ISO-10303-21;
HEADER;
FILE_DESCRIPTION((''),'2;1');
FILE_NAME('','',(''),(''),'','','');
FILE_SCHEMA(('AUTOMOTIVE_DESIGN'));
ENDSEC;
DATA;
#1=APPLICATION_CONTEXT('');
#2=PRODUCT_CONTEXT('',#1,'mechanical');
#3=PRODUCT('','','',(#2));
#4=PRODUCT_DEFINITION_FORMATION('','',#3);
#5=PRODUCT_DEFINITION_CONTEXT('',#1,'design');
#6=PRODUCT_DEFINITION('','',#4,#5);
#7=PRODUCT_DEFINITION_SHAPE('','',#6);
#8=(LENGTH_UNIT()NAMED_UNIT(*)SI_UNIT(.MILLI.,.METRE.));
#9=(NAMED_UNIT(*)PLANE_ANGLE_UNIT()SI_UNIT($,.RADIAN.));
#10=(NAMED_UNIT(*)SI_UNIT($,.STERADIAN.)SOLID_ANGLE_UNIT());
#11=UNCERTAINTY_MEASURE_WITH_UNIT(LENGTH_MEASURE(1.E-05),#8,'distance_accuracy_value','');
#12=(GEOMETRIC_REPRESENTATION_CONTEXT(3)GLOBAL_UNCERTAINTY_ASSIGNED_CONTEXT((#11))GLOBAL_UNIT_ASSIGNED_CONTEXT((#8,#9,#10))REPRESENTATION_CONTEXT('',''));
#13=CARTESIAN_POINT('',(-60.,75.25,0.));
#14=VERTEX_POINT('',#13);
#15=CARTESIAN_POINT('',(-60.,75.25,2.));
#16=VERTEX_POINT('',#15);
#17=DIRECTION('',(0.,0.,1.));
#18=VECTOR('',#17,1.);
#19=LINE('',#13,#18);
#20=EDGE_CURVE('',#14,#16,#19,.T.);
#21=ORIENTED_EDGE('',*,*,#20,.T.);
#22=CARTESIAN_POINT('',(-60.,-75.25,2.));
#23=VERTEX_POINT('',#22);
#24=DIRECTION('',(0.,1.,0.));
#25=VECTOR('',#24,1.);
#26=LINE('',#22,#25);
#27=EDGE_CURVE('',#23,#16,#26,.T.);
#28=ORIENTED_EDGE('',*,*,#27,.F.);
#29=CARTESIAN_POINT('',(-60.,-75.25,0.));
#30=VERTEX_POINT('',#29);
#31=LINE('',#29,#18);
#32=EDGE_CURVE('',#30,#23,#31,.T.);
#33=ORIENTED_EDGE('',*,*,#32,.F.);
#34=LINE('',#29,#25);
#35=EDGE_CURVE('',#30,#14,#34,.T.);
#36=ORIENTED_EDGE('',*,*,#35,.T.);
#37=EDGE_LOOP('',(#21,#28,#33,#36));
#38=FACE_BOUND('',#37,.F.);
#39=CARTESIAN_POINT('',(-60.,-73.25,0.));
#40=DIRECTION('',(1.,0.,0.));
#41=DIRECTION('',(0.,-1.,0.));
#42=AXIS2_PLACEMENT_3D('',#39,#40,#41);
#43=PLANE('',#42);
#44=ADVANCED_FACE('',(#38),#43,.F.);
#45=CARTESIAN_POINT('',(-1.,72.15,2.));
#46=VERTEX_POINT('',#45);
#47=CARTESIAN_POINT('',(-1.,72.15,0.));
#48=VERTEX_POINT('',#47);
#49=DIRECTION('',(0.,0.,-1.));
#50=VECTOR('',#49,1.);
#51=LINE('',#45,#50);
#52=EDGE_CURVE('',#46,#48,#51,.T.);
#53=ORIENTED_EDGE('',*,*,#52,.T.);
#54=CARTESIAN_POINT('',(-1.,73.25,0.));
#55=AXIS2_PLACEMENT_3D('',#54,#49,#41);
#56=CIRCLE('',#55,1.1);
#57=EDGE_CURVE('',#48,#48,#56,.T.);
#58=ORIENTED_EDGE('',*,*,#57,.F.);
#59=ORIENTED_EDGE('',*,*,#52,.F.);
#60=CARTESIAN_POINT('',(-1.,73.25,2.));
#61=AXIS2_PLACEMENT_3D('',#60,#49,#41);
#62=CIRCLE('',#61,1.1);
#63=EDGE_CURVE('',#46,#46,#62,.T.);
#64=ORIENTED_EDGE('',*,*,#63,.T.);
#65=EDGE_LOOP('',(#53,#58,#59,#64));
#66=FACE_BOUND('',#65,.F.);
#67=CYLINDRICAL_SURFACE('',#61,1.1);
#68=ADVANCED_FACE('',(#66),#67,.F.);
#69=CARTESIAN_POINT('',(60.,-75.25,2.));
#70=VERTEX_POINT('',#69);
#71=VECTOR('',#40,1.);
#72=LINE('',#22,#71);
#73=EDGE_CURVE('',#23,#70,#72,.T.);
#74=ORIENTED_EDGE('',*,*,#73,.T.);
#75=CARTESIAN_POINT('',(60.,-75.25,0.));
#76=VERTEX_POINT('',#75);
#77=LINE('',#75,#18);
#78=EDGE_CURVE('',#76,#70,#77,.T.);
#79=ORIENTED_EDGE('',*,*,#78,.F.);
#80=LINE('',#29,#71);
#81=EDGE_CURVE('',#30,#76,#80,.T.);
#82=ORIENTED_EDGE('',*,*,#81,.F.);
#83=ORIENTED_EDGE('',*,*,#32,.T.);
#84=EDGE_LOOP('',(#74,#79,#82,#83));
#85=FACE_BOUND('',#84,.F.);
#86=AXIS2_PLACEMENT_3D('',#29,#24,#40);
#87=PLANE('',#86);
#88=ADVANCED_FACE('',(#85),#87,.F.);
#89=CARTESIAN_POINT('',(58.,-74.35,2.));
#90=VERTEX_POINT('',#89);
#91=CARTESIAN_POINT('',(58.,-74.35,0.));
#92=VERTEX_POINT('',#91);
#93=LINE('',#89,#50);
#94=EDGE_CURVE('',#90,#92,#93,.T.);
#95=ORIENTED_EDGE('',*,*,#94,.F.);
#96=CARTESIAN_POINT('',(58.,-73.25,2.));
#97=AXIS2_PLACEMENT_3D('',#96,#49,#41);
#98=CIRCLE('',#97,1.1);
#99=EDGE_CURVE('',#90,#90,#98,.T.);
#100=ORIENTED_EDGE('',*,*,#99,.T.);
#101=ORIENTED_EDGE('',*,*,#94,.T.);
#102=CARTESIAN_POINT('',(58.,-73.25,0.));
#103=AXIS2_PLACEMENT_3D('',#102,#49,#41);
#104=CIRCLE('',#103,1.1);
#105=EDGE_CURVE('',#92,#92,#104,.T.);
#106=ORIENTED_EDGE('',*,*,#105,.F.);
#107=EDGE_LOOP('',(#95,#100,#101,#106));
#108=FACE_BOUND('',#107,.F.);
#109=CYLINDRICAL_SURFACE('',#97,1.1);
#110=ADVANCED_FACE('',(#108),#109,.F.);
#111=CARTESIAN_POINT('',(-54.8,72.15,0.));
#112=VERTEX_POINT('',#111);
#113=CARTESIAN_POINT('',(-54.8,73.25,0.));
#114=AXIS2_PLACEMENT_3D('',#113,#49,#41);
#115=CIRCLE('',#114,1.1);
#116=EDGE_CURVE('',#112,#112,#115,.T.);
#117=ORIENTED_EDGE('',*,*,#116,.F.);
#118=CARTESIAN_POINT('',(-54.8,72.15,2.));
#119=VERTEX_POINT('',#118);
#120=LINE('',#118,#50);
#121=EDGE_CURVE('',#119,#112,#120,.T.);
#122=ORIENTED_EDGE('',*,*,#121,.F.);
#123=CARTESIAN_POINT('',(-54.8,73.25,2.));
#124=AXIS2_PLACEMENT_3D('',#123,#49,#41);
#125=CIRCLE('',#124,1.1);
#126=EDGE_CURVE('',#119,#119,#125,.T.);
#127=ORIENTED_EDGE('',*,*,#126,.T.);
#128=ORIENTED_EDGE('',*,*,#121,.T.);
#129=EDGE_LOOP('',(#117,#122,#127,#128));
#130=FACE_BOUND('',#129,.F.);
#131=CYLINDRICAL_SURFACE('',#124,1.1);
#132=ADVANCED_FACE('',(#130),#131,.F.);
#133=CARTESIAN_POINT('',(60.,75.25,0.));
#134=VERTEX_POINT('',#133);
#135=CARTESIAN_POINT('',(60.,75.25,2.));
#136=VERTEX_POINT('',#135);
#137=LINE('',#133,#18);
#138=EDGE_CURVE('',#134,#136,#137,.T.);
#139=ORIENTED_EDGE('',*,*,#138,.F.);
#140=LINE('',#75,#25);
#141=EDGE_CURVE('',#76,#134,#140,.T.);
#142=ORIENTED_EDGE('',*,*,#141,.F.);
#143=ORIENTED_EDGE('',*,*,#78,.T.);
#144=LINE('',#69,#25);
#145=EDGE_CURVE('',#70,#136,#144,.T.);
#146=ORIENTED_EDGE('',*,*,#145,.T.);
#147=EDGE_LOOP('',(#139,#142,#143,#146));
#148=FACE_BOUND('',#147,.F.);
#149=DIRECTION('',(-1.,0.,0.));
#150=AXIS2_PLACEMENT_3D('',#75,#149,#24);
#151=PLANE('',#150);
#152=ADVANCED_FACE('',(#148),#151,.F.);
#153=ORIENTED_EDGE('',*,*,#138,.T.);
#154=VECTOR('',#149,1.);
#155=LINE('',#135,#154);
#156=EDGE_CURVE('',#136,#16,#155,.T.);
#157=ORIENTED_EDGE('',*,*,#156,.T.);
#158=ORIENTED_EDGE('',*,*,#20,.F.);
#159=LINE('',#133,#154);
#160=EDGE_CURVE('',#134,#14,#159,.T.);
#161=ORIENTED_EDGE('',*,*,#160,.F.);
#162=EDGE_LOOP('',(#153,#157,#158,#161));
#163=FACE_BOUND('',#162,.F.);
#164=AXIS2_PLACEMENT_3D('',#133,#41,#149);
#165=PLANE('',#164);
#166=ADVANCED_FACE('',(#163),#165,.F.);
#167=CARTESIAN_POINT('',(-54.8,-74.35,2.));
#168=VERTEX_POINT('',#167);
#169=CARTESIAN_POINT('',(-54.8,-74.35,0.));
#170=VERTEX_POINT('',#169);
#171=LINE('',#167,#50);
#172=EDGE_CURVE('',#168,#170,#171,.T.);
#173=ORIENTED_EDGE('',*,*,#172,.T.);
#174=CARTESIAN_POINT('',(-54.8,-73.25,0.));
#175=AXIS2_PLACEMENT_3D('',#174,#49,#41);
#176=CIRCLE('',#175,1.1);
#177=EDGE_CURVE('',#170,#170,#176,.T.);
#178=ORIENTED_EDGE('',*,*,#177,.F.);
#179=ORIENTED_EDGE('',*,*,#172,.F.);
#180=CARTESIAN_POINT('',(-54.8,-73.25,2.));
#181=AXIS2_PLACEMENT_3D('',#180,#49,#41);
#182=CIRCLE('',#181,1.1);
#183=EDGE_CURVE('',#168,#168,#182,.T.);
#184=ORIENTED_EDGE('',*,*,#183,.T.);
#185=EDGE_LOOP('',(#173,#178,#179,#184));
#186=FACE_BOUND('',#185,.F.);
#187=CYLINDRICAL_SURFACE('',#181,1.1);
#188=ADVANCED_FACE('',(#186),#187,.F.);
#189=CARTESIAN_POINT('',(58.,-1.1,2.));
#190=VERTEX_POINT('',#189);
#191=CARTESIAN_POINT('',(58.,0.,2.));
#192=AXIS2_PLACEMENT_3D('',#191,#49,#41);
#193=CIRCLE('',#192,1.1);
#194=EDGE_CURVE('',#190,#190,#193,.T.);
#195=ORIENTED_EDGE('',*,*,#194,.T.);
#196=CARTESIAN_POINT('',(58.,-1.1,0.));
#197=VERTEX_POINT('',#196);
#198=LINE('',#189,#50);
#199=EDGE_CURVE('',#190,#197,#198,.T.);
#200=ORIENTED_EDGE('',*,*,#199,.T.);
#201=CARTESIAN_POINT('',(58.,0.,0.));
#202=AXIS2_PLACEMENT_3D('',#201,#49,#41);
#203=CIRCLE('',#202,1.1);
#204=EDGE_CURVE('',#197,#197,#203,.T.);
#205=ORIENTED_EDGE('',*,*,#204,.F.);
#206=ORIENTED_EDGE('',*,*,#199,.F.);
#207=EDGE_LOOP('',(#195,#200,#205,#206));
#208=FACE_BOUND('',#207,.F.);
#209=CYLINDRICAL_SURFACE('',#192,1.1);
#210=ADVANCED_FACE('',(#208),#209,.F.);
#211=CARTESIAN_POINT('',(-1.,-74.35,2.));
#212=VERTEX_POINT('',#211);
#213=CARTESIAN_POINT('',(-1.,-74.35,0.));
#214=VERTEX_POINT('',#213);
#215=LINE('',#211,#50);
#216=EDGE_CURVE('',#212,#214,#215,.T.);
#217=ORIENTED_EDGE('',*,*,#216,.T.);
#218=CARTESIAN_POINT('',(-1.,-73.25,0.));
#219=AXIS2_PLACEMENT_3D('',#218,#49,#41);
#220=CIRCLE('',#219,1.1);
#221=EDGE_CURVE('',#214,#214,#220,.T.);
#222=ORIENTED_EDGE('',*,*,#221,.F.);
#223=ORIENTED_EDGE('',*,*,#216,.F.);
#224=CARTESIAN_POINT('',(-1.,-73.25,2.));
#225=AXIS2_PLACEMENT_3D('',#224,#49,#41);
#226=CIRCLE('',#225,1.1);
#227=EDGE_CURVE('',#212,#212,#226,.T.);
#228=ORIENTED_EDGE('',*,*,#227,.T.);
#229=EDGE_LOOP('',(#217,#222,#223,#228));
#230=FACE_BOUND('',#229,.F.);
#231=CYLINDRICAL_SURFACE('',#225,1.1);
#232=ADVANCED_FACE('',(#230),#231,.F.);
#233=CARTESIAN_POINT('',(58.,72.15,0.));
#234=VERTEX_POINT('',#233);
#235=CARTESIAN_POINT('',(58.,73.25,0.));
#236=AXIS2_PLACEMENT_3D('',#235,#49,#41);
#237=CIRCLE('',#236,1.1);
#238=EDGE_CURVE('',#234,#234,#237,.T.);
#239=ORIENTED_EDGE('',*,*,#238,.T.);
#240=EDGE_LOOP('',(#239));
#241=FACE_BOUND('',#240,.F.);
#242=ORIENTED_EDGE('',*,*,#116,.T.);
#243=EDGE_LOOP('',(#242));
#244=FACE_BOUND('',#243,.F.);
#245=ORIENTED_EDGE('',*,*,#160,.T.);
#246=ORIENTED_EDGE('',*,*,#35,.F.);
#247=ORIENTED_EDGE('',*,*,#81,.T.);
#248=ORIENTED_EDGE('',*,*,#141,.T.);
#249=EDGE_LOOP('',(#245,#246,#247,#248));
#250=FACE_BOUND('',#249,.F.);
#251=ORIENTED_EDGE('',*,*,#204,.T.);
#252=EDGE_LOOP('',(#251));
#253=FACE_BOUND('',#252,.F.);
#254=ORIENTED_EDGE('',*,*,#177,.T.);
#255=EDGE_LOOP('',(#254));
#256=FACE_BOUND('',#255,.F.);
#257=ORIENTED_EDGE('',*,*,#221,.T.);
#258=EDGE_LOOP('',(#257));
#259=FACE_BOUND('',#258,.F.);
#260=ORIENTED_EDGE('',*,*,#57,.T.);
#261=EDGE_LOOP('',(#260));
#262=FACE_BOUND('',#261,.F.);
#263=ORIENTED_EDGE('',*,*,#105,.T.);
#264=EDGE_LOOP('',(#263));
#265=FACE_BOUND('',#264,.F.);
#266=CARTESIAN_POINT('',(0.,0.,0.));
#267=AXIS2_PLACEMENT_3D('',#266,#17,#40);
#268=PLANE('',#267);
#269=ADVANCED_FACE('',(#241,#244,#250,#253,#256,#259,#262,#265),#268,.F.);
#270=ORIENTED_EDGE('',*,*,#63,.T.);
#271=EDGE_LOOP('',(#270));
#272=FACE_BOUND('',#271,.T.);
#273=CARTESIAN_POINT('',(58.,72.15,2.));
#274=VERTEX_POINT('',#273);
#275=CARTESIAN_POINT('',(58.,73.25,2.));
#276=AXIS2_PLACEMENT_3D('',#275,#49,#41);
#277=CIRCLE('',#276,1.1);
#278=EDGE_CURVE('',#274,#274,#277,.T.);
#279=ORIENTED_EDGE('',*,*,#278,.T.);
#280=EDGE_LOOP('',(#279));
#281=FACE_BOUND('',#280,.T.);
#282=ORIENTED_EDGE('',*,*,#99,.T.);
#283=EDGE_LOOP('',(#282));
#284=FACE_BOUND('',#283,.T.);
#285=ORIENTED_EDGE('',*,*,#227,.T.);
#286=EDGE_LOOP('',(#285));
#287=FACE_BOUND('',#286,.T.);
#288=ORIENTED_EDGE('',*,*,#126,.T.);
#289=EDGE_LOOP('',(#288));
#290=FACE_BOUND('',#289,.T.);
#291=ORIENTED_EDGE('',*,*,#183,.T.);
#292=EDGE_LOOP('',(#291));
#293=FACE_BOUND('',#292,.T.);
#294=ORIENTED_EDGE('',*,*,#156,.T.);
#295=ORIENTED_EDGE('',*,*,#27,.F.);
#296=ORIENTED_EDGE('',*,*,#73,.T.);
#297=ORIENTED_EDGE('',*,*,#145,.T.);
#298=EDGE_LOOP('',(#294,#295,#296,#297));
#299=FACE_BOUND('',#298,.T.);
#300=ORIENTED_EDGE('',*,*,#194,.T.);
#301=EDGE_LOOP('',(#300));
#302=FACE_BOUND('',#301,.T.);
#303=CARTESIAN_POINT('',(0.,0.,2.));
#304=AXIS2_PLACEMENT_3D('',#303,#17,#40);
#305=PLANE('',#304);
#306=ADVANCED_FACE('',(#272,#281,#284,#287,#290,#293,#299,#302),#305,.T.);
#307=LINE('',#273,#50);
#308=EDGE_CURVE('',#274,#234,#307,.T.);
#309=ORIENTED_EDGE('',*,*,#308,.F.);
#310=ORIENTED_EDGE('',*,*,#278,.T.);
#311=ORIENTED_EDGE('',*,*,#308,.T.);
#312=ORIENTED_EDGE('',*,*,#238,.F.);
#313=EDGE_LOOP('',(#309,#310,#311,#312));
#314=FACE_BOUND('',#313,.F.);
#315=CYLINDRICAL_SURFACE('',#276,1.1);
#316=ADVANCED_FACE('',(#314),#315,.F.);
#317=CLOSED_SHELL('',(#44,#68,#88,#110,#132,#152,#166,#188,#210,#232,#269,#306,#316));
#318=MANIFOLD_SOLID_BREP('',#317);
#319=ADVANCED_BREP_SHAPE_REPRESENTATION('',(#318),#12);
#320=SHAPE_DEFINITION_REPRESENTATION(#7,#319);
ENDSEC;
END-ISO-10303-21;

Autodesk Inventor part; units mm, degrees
ref_plane "YZ Plane" through (0, 0, 0) normal (1, 0, 0) x (0, 1, 0)
ref_plane "XZ Plane" through (0, 0, 0) normal (0, 1, 0) x (-1, 0, 0)
ref_plane "XY Plane" through (0, 0, 0) normal (0, 0, 1) x (1, 0, 0)
ref_plane "Work Plane1" through (0, 0, 0) normal (0, 0, 1) x (1, 0, 0)
sketch "Sketch1" plane through (0, 0, 0) normal (0, 0, 1) x (1, 0, 0)
  circle A0 centre (-1, 73.25) radius 1.05 projected
  circle A1 centre (-54.8, -73.25) radius 1.05 projected
  circle A2 centre (-54.8, 73.25) radius 1.05 projected
  circle A3 centre (-1, -73.25) radius 1.05 projected
  circle A4 centre (58, -73.25) radius 1.05 projected
  circle A5 centre (58, 0) radius 1.05 projected
  circle A6 centre (58, 73.25) radius 1.05 projected
  line L0 (-60, -75.25) -> (60, -75.25) projected
  line L1 (60, -75.25) -> (60, 75.25) projected
  line L2 (60, 75.25) -> (-60, 75.25) projected
  line L3 (-60, 75.25) -> (-60, 73.25) projected
  line L4 (-60, 73.25) -> (-56.8, 73.25) projected
  line L5 (-56.8, 71.25) -> (-56.8, 73.25) projected
  line L6 (-54.8, 71.25) -> (-56.8, 71.25) projected
  arc A7 (-54.8, 71.25) -> (-52.8, 73.25) centre (-54.8, 73.25) ccw projected
  line L7 (-52.8, 73.25) -> (-3, 73.25) projected
  arc A8 (-3, 73.25) -> (1, 73.25) centre (-1, 73.25) ccw projected
  line L8 (1, 73.25) -> (56, 73.25) projected
  arc A9 (56, 73.25) -> (58, 71.25) centre (58, 73.25) ccw projected
  line L9 (58, 71.25) -> (58, 2) projected
  arc A10 (58, 2) -> (58, -2) centre (58, 0) ccw projected
  line L10 (58, -2) -> (58, -71.25) projected
  arc A11 (58, -71.25) -> (56, -73.25) centre (58, -73.25) ccw projected
  line L11 (56, -73.25) -> (1, -73.25) projected
  arc A12 (1, -73.25) -> (-3, -73.25) centre (-1, -73.25) ccw projected
  line L12 (-3, -73.25) -> (-52.8, -73.25) projected
  arc A13 (-52.8, -73.25) -> (-54.8, -71.25) centre (-54.8, -73.25) ccw projected
  line L13 (-56.8, -71.25) -> (-54.8, -71.25) projected
  line L14 (-56.8, -73.25) -> (-56.8, -71.25) projected
  line L15 (-56.8, -73.25) -> (-60, -73.25) projected
  line L16 (-60, -73.25) -> (-60, -75.25) projected
  line L17 (-56.8, -73.25) -> (-56.8, 73.25) projected
  line L18 (-56.8, 73.25) -> (-59.8, 73.25) projected
  line L19 (-59.8, -73.25) -> (-59.8, 73.25) projected
  line L20 (-56.8, -73.25) -> (-59.8, -73.25) projected
  line L21 (60, 75.25) -> (-60, 75.25)
  line L22 (-60, 75.25) -> (-60, -75.25)
  line L23 (-60, -75.25) -> (60, -75.25)
  line L24 (60, -75.25) -> (60, 75.25)
  point P0 (0, 0)
extrude "Extrusion1" add sketch "Sketch1" along normal blind 2 contours A0 | A1 | A2 | A3 | A4 | A5 | A6 | L16 L15 L14 L13 A13 L12 A12 L11 A11 L10 A10 L9 A9 L8 A8 L7 A7 L6 L5 L4 L3 L2 L1 L0 | L22 L4 L19 L15 | L19 L4 L5 L17 L14 L15 | L17 L6 A7 L7 A8 L8 A9 L9 A10 L10 A11 L11 A12 L12 A13 L13
hole "Hole1" at (58, 73.25, 2) at (58, 0, 2) at (58, -73.25, 2) at (-1, -73.25, 2) at (-54.8, -73.25, 2) at (-54.8, 73.25, 2) at (-1, 73.25, 2) direction (0, 0, -1) diameter 2.2 depth 2
properties part number "controller-top"
